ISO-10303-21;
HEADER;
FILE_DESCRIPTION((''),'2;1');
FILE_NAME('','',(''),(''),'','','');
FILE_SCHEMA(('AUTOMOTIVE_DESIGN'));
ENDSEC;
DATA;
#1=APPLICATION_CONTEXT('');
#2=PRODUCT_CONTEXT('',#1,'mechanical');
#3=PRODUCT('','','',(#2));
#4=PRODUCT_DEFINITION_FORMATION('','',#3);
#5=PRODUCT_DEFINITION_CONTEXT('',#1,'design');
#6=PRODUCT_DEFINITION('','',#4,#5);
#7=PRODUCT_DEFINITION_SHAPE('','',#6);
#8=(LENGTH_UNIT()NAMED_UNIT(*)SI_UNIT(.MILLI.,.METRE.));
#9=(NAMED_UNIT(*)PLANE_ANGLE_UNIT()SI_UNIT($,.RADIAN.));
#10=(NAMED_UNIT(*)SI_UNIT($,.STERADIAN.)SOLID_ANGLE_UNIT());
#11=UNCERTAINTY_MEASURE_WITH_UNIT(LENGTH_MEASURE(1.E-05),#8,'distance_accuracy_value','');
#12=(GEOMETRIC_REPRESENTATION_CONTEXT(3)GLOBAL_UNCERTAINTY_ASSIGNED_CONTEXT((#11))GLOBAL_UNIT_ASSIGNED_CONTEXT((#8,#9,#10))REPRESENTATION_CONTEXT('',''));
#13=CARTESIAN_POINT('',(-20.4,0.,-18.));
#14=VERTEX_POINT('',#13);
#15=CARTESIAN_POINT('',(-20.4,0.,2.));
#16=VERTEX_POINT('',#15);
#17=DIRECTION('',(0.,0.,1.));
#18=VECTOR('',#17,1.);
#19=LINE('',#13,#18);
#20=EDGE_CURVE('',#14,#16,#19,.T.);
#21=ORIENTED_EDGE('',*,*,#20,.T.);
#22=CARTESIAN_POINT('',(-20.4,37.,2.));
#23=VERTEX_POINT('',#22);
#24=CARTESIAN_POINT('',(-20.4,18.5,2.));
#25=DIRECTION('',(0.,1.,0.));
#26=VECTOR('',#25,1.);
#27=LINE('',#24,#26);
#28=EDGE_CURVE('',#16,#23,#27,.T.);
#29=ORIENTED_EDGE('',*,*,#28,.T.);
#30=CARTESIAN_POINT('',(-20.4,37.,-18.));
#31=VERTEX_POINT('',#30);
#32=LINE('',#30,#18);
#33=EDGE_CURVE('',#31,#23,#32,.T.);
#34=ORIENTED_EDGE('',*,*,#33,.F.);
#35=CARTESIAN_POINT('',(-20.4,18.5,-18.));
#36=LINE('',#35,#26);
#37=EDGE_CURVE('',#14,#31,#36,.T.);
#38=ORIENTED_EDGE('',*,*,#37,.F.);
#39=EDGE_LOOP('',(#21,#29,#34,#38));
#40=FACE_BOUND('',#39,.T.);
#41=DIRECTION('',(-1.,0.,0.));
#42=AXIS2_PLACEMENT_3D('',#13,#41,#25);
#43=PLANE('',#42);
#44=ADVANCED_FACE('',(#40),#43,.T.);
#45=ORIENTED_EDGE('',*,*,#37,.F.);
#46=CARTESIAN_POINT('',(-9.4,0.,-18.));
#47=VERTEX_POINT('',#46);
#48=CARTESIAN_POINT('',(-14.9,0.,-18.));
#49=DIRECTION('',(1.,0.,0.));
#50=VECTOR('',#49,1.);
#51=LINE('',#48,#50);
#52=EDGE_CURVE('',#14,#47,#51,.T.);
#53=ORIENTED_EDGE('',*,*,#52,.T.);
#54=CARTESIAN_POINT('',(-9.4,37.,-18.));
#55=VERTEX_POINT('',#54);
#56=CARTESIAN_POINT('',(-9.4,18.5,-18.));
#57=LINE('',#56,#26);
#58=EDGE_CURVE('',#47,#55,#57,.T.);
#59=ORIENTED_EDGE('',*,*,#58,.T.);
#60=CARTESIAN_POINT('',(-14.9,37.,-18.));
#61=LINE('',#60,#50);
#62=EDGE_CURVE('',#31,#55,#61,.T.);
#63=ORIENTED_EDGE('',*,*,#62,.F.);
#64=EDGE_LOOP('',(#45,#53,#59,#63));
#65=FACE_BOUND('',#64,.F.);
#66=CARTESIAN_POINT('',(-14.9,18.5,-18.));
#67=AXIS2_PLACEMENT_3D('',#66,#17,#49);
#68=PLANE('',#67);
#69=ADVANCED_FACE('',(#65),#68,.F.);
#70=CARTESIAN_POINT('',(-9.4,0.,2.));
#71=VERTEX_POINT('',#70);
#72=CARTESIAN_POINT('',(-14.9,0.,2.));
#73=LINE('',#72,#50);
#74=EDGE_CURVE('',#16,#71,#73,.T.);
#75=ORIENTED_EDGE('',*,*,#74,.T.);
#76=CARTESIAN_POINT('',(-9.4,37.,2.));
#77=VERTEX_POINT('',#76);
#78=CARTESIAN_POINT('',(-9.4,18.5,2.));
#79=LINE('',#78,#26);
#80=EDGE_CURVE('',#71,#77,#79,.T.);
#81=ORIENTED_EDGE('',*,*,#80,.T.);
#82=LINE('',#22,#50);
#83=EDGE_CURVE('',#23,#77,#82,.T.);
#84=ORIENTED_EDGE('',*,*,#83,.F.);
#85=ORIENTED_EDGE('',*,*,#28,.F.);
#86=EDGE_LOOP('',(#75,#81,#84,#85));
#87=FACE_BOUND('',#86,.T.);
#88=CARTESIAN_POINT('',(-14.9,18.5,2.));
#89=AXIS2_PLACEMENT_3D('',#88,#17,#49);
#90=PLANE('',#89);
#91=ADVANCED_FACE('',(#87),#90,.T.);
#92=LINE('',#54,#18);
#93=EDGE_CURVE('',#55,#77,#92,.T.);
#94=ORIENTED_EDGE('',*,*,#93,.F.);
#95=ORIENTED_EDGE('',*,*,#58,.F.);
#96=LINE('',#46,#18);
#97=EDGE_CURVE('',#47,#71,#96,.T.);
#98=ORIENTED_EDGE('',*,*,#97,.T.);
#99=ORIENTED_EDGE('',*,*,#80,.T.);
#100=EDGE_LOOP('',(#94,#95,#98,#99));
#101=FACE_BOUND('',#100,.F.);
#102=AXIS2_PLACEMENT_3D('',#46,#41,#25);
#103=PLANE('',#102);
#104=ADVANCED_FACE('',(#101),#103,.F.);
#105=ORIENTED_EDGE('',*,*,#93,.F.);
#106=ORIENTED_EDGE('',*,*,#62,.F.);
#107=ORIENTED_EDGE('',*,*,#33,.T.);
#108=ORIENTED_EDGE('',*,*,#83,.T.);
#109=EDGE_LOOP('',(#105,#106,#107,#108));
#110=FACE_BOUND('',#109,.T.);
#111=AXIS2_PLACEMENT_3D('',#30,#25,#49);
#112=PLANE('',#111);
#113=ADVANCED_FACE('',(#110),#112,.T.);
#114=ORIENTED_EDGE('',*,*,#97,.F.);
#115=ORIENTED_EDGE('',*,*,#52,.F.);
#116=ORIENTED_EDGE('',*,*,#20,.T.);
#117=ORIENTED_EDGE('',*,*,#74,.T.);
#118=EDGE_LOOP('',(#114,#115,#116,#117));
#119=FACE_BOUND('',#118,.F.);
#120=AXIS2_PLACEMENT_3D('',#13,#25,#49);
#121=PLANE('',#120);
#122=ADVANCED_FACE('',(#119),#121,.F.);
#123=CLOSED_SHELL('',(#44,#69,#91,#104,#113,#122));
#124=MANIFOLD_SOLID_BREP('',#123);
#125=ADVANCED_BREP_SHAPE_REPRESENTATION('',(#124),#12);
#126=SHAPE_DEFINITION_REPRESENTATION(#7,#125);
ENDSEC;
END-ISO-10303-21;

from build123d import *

# Parameters (mm, degrees)
BOX017_W     = 6
BOX017_H     = 19
BOX017_DEPTH = 6
BOX018_W     = 11
BOX018_H     = 37
BOX018_DEPTH = 20


with BuildPart() as recess:
    # Box017 → Box017 (new body)
    with BuildSketch(Plane(origin=(-20.2, 18, 2), x_dir=(1, 0, 0), z_dir=(0, 0, 1))):
        with Locations((3, 9.5)):
            Rectangle(BOX017_W, BOX017_H)
    extrude(amount=BOX017_DEPTH)


with BuildPart() as raspicam_extra:
    # Box018 → Box018 (new body)
    with BuildSketch(Plane(origin=(-20.4, 0, -18), x_dir=(1, 0, 0), z_dir=(0, 0, 1))):
        with Locations((5.5, 18.5)):
            Rectangle(BOX018_W, BOX018_H)
    extrude(amount=BOX018_DEPTH)

    # Cut004: cut recess
    add(recess.part, mode=Mode.SUBTRACT)


solid = raspicam_extra.part
